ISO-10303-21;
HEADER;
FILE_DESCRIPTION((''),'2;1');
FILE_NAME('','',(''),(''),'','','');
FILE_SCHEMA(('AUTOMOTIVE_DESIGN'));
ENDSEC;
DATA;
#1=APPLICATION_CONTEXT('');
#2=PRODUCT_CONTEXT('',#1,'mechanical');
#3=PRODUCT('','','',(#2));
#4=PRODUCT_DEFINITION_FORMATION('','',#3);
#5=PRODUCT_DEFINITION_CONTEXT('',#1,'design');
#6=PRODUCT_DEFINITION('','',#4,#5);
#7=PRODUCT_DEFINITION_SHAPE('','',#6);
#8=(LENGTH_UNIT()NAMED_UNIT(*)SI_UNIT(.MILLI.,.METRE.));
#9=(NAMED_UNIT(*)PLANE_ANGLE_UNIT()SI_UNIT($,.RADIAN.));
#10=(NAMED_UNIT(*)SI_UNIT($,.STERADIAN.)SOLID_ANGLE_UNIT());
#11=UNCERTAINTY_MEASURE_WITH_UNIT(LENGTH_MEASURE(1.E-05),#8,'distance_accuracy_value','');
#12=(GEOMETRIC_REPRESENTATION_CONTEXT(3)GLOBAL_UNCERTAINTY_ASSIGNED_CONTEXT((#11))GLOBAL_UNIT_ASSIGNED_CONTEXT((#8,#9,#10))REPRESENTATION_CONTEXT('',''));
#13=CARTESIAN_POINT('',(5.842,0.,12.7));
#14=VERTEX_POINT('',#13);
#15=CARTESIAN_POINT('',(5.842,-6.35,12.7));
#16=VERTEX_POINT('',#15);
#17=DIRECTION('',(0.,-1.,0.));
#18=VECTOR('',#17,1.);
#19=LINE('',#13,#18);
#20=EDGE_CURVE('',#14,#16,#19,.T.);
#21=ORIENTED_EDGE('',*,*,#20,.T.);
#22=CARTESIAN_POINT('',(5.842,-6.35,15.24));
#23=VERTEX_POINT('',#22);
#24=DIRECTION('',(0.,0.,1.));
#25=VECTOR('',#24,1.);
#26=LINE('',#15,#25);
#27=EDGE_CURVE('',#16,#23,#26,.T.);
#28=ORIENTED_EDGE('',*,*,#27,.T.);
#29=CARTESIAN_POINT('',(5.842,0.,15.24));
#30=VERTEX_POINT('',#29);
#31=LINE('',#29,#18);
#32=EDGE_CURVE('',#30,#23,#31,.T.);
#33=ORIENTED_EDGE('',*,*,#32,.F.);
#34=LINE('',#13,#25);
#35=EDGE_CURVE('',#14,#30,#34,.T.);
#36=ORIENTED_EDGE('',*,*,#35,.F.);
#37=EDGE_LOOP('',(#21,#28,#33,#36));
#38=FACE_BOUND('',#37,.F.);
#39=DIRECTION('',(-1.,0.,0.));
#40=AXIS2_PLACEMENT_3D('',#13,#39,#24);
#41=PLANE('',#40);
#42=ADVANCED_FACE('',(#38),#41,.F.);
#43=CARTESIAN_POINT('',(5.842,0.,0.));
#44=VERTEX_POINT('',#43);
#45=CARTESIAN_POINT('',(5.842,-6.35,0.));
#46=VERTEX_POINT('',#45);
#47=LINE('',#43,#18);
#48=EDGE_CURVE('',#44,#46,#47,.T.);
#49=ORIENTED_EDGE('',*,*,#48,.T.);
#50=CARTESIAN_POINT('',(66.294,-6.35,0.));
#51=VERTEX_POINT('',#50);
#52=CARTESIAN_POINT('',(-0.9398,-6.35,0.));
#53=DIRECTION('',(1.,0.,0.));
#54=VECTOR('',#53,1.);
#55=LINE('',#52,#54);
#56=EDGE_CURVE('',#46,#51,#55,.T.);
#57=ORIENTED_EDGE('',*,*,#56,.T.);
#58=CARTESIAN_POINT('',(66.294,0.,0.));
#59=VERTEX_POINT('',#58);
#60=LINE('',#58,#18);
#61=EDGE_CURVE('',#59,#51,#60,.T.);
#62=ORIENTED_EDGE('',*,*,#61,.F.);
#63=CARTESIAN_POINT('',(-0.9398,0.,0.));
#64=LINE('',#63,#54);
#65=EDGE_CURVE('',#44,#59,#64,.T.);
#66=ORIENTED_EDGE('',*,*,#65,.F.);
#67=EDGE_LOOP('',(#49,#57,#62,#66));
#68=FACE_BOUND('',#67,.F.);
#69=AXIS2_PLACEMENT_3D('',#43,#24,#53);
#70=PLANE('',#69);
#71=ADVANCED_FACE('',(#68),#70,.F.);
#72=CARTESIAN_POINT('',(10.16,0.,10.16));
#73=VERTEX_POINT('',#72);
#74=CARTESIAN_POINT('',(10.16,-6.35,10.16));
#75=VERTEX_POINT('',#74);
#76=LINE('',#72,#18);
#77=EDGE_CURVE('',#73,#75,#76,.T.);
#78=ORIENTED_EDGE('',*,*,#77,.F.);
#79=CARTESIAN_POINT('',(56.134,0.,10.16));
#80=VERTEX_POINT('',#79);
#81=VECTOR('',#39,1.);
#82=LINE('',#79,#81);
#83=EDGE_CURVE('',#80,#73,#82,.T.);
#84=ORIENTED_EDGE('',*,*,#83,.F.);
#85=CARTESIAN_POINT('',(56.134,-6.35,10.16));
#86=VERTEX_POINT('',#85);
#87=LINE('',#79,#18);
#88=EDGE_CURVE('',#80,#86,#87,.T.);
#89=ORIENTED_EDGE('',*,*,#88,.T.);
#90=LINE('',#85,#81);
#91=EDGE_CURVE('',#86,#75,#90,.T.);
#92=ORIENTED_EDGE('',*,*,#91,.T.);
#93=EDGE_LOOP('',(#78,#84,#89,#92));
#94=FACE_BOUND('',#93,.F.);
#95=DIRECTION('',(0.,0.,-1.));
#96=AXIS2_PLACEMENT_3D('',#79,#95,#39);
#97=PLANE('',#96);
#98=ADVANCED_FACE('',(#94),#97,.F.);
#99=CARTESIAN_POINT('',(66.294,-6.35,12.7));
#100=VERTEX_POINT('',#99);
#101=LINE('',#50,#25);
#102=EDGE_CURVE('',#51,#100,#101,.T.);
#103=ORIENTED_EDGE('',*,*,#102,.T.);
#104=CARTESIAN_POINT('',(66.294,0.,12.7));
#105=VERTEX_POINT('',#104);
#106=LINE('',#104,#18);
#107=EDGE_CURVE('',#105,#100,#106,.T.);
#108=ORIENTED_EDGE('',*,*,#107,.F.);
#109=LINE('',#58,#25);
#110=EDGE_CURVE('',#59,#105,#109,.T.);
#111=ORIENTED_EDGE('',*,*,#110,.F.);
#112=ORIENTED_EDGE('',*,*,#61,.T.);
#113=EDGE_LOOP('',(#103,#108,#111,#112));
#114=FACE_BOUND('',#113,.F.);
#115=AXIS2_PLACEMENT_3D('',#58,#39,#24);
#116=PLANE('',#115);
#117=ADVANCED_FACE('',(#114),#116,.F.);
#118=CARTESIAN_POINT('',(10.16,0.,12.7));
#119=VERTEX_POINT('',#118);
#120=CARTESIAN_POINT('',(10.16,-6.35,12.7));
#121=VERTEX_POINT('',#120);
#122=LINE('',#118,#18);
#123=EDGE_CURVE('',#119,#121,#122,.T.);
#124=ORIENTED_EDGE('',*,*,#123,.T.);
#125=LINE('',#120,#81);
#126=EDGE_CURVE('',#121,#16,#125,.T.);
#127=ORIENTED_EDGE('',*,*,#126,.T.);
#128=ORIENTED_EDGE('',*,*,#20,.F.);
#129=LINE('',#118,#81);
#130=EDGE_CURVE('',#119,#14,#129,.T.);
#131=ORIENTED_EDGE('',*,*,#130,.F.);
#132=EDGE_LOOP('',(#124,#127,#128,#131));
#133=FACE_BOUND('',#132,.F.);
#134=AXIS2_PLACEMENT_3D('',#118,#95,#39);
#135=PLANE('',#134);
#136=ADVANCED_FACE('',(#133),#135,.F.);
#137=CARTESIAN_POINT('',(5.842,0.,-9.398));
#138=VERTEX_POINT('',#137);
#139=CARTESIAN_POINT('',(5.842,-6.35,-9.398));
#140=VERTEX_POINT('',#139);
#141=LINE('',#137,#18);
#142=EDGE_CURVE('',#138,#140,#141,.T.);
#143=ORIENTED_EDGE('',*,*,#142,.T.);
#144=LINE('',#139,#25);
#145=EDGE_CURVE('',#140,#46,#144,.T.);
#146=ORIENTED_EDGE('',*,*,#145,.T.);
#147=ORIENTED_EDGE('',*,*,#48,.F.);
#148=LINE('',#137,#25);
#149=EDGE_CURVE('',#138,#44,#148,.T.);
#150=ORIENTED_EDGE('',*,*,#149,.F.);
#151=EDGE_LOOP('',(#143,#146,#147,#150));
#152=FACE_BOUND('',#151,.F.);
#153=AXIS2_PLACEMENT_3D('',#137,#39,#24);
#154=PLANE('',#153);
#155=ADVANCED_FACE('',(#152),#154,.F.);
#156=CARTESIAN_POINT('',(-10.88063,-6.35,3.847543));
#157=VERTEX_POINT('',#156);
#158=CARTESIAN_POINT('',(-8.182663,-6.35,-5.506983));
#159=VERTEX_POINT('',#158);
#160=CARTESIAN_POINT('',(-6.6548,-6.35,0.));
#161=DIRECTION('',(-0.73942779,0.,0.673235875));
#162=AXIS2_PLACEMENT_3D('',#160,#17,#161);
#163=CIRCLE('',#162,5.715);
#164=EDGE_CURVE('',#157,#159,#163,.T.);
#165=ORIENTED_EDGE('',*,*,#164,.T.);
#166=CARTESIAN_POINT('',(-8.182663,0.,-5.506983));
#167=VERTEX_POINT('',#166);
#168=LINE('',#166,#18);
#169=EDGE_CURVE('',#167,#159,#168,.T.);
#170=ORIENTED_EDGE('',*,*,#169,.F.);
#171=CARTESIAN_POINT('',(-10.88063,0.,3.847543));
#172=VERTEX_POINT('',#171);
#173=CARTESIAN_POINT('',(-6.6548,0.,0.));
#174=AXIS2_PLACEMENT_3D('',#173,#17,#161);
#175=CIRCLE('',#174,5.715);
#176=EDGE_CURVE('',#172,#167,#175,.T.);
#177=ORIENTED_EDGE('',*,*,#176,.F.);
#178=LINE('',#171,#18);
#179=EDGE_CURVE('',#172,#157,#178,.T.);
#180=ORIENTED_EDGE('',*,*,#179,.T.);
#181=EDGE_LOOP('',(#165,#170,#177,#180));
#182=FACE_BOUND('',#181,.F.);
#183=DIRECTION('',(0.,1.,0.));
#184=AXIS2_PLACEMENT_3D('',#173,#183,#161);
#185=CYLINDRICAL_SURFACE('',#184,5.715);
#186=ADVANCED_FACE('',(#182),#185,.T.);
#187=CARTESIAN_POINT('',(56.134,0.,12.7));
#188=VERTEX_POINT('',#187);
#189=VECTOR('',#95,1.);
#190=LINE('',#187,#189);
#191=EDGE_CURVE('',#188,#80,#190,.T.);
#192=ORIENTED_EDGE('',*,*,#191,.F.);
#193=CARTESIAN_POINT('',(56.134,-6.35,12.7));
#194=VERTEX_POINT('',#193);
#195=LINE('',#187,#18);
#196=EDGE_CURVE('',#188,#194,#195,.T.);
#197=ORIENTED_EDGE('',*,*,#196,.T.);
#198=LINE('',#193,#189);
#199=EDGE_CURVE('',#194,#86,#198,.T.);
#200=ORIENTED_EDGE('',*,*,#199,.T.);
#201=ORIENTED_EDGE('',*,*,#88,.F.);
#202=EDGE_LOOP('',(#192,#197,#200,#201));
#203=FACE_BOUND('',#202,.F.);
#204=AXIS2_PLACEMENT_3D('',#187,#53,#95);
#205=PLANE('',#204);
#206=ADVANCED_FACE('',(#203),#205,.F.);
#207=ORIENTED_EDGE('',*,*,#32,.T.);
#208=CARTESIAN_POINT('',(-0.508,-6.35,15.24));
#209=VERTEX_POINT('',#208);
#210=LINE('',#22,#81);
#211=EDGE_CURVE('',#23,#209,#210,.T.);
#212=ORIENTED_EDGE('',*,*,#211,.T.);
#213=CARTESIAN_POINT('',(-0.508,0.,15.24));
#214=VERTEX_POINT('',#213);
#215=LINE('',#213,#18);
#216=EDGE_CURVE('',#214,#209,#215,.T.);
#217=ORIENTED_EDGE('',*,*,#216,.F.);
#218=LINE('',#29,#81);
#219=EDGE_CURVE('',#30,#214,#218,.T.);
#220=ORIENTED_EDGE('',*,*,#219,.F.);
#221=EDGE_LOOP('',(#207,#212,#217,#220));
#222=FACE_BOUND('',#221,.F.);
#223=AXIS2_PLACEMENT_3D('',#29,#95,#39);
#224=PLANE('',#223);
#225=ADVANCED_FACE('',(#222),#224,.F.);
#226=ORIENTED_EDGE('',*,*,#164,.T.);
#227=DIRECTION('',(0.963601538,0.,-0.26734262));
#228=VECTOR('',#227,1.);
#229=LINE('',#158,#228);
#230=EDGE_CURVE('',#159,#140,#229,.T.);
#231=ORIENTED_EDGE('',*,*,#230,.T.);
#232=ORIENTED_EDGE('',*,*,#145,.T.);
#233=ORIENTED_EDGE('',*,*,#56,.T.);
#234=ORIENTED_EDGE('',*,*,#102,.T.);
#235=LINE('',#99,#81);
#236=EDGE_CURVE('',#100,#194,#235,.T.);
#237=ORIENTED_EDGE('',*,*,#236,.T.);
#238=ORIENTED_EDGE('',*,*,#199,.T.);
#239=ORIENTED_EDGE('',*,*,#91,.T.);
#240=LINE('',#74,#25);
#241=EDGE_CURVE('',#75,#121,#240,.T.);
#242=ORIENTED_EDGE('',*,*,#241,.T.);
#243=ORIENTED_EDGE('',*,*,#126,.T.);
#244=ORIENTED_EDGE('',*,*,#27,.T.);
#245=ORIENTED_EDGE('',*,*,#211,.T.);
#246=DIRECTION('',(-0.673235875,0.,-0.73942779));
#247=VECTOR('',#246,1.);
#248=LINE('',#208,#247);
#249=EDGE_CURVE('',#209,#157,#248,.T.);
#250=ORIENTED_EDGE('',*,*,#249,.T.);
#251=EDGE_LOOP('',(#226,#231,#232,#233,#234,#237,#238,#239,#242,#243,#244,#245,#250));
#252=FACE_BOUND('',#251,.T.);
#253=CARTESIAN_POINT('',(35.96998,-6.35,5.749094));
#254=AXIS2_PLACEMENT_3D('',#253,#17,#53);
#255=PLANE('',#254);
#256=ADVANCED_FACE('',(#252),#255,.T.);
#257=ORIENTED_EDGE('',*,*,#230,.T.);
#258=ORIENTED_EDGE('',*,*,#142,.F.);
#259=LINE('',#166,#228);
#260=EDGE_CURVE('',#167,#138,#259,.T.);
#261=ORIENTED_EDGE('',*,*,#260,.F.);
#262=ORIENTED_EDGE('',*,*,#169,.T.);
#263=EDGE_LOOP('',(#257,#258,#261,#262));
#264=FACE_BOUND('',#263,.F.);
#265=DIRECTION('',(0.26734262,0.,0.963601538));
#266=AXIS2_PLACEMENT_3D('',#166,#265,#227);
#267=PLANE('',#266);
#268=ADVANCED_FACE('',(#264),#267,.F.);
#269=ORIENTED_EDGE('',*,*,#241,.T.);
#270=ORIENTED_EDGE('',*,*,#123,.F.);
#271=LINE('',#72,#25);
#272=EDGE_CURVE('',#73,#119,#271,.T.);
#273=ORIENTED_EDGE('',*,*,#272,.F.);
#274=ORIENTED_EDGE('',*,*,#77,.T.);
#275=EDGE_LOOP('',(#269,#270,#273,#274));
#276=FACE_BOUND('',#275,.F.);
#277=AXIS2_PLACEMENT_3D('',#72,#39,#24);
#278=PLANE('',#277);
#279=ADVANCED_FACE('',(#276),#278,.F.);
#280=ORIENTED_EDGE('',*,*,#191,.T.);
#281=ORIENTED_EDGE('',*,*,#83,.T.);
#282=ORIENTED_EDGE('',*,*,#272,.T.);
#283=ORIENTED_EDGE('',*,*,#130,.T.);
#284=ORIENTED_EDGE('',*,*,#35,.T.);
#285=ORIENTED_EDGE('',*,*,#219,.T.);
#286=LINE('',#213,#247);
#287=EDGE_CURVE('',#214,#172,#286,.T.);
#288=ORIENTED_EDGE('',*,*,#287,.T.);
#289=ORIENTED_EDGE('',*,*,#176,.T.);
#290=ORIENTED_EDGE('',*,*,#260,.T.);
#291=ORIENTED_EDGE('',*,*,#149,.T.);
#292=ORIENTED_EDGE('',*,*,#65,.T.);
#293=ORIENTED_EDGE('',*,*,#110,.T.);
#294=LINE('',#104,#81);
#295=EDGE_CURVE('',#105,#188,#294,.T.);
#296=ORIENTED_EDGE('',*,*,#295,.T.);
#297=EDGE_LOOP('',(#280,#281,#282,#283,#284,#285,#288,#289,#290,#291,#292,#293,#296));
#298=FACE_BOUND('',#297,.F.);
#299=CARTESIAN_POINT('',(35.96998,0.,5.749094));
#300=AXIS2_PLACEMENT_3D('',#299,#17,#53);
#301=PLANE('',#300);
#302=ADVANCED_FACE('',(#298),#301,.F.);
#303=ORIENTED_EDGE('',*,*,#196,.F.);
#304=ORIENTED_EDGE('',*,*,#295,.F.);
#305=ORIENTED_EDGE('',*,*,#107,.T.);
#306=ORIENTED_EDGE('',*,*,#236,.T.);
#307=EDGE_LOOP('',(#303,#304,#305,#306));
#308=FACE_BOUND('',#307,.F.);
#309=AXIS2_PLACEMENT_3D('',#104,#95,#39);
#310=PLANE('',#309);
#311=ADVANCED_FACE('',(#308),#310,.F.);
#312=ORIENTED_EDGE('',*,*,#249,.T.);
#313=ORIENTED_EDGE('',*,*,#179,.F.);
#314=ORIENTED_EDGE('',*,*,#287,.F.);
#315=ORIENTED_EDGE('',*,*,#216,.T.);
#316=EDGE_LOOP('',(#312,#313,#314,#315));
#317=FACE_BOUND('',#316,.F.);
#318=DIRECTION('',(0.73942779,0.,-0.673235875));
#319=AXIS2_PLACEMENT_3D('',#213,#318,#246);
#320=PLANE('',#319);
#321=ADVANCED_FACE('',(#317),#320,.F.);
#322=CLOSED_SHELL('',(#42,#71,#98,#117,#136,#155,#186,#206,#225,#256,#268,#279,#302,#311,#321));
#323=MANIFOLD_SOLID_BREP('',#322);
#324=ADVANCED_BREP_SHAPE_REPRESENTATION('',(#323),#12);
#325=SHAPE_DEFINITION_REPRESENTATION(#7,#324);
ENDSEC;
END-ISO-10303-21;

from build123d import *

# Parameters (mm, degrees)
F0_R     = 3.175
F0_W     = 5.842
F0_H     = 12.7
F1_DEPTH = 6.35


with BuildPart() as f1:
    # F0 (on Front) → F1 (new body)
    with BuildSketch(Plane.XZ):
        Polygon((5.842, 12.7), (5.842, 0), (66.294, 0), (66.294, 12.7), (56.134, 12.7), (56.134, 10.16), (10.16, 10.16), (10.16, 12.7), align=None)
        with BuildLine():
            ThreePointArc((-8.1826630726, -5.5069827884), (-3.1957909266, -4.5493385486), (-0.9398, 0))
            ThreePointArc((-0.9398, 0), (-4.5919612295, 5.3297205562), (-10.8806298187, 3.8475430269))
            ThreePointArc((-10.8806298187, 3.8475430269), (-12.1459778134, -1.5837270034), (-8.1826630726, -5.5069827884))
        make_face()
        with Locations((-6.6548, 0)):
            Circle(F0_R, mode=Mode.SUBTRACT)
        with BuildLine():
            Line((-0.9398, 0), (0, 0))
            Line((0, 0), (0, 12.7))
            Line((0, 12.7), (5.842, 12.7))
            Line((5.842, 12.7), (5.842, 15.24))
            Line((5.842, 15.24), (-0.508, 15.24))
            Line((-0.508, 15.24), (-10.8806298187, 3.8475430269))
            ThreePointArc((-10.8806298187, 3.8475430269), (-4.5919612295, 5.3297205562), (-0.9398, 0))
        make_face()
        with Locations((2.921, 6.35)):
            Rectangle(F0_W, F0_H)
        with BuildLine():
            Line((5.842, 0), (0, 0))
            Line((0, 0), (-0.9398, 0))
            ThreePointArc((-0.9398, 0), (-3.1957909266, -4.5493385486), (-8.1826630726, -5.5069827884))
            Line((-8.1826630726, -5.5069827884), (5.842, -9.398))
            Line((5.842, -9.398), (5.842, 0))
        make_face()
        with Locations((-6.6548, 0)):
            Circle(F0_R)
    extrude(amount=F1_DEPTH)


solid = f1.part
